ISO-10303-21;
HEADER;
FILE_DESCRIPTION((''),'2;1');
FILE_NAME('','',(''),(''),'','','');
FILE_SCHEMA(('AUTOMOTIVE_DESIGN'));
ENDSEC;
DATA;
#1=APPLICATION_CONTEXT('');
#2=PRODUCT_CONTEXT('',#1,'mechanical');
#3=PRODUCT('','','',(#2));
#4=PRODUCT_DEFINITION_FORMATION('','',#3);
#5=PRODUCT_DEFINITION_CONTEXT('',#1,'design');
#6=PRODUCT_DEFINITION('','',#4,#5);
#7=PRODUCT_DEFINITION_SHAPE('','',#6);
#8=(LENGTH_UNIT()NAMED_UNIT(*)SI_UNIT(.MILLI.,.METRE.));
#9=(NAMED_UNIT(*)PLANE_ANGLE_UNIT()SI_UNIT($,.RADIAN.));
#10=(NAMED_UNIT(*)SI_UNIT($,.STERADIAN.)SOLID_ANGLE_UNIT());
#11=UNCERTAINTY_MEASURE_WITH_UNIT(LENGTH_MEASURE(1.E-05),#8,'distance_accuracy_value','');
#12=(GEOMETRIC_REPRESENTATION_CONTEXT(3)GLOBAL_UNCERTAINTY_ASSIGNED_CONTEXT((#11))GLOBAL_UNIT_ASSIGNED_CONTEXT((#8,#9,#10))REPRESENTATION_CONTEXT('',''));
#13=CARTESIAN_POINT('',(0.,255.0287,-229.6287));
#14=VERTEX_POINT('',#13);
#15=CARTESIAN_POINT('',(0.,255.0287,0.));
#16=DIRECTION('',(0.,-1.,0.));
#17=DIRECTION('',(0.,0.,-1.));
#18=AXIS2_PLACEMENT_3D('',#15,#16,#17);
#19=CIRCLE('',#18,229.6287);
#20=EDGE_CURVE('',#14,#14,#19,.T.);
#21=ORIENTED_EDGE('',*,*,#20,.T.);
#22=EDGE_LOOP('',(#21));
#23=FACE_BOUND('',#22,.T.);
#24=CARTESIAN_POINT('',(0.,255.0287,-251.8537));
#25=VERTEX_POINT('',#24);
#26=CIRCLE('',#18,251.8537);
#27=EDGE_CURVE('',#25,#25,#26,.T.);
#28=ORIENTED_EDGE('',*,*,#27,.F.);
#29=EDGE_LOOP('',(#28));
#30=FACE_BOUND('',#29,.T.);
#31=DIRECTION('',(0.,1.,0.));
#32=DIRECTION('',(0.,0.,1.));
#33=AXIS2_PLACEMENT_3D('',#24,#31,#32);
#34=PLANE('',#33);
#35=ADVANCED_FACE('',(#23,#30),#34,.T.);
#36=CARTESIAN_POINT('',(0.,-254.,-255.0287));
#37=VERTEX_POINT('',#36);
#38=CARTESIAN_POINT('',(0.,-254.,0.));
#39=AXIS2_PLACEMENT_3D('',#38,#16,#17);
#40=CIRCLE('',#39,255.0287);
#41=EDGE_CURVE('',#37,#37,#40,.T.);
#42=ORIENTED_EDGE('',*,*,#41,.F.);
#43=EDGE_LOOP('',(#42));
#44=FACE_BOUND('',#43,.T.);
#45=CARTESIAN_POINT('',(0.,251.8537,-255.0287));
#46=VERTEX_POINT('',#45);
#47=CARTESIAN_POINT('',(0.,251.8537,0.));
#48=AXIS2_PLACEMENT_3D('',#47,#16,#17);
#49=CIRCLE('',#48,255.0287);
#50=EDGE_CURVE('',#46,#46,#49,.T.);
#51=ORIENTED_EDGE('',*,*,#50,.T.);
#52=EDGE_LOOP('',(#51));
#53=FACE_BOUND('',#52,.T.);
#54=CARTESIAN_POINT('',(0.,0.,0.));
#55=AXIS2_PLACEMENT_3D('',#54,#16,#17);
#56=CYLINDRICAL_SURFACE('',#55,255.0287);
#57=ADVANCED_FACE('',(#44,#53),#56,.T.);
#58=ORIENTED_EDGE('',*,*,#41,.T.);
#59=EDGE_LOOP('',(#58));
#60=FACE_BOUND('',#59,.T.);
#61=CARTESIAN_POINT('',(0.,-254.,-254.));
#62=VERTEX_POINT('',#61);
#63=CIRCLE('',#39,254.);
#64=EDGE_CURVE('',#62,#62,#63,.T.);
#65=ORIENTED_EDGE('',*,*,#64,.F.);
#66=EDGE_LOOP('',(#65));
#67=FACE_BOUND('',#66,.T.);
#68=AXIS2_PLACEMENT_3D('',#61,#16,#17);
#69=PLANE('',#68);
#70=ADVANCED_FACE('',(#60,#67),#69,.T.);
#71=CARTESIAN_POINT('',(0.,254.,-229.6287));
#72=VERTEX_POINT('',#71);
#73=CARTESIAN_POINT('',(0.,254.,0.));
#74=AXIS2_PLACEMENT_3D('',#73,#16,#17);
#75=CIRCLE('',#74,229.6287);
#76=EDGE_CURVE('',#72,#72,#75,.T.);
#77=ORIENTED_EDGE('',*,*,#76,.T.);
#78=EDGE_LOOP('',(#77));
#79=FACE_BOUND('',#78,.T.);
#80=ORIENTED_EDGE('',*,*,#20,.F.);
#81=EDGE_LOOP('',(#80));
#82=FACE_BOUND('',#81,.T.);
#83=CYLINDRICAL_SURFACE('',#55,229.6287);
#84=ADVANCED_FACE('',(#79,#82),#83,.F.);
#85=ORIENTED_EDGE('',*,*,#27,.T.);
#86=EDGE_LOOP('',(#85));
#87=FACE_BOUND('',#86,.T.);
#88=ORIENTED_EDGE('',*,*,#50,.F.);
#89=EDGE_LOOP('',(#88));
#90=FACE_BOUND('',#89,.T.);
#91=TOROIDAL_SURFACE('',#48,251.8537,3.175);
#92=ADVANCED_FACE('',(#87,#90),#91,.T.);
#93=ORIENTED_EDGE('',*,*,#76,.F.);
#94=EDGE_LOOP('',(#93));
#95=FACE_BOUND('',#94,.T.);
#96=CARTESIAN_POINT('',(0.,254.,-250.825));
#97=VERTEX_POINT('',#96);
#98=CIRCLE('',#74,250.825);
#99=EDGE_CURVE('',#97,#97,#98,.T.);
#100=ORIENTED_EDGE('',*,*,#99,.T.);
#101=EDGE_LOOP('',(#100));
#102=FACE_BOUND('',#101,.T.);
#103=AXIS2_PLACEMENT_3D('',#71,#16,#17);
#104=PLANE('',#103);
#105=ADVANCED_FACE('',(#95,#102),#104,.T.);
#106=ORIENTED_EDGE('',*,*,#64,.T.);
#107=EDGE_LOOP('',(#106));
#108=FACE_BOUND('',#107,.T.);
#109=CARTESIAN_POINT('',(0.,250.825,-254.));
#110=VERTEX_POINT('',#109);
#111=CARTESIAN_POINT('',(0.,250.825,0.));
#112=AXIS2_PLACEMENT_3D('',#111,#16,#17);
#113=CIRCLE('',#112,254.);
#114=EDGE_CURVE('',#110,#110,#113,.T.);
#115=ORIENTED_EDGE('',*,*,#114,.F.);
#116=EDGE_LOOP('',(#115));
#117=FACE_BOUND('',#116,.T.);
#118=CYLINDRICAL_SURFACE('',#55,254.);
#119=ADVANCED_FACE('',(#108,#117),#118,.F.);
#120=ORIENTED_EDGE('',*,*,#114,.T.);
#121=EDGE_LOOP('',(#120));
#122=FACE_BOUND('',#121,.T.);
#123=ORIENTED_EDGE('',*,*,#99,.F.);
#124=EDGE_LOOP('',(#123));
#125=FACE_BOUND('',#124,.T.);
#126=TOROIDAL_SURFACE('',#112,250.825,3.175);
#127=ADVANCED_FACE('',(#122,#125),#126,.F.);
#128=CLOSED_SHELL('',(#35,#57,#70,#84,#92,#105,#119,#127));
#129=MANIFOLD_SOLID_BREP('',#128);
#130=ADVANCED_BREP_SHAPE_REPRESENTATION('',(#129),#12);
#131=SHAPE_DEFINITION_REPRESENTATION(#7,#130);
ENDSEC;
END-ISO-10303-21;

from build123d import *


with BuildPart() as part:
    # Sketch8 → Revolve1 (revolve)
    with BuildSketch(Plane(origin=(0, 0, 0), x_dir=(0, 0, -1), z_dir=(1, 0, 0))):
        with BuildLine():
            Line((254, 0), (254, -254))
            Line((254, -254), (255.0287, -254))
            Line((255.0287, -254), (255.0287, 251.8537))
            ThreePointArc((255.0287, 251.8537), (254.09876403, 254.09876403), (251.8537, 255.0287))
            Line((251.8537, 255.0287), (229.6287, 255.0287))
            Line((229.6287, 255.0287), (229.6287, 254))
            Line((229.6287, 254), (250.825, 254))
            ThreePointArc((250.825, 254), (253.07006403, 253.07006403), (254, 250.825))
            Line((254, 250.825), (254, 0))
        make_face()
    revolve(axis=Axis((0, 0, 0), (0, 1, 0)))


solid = part.part
